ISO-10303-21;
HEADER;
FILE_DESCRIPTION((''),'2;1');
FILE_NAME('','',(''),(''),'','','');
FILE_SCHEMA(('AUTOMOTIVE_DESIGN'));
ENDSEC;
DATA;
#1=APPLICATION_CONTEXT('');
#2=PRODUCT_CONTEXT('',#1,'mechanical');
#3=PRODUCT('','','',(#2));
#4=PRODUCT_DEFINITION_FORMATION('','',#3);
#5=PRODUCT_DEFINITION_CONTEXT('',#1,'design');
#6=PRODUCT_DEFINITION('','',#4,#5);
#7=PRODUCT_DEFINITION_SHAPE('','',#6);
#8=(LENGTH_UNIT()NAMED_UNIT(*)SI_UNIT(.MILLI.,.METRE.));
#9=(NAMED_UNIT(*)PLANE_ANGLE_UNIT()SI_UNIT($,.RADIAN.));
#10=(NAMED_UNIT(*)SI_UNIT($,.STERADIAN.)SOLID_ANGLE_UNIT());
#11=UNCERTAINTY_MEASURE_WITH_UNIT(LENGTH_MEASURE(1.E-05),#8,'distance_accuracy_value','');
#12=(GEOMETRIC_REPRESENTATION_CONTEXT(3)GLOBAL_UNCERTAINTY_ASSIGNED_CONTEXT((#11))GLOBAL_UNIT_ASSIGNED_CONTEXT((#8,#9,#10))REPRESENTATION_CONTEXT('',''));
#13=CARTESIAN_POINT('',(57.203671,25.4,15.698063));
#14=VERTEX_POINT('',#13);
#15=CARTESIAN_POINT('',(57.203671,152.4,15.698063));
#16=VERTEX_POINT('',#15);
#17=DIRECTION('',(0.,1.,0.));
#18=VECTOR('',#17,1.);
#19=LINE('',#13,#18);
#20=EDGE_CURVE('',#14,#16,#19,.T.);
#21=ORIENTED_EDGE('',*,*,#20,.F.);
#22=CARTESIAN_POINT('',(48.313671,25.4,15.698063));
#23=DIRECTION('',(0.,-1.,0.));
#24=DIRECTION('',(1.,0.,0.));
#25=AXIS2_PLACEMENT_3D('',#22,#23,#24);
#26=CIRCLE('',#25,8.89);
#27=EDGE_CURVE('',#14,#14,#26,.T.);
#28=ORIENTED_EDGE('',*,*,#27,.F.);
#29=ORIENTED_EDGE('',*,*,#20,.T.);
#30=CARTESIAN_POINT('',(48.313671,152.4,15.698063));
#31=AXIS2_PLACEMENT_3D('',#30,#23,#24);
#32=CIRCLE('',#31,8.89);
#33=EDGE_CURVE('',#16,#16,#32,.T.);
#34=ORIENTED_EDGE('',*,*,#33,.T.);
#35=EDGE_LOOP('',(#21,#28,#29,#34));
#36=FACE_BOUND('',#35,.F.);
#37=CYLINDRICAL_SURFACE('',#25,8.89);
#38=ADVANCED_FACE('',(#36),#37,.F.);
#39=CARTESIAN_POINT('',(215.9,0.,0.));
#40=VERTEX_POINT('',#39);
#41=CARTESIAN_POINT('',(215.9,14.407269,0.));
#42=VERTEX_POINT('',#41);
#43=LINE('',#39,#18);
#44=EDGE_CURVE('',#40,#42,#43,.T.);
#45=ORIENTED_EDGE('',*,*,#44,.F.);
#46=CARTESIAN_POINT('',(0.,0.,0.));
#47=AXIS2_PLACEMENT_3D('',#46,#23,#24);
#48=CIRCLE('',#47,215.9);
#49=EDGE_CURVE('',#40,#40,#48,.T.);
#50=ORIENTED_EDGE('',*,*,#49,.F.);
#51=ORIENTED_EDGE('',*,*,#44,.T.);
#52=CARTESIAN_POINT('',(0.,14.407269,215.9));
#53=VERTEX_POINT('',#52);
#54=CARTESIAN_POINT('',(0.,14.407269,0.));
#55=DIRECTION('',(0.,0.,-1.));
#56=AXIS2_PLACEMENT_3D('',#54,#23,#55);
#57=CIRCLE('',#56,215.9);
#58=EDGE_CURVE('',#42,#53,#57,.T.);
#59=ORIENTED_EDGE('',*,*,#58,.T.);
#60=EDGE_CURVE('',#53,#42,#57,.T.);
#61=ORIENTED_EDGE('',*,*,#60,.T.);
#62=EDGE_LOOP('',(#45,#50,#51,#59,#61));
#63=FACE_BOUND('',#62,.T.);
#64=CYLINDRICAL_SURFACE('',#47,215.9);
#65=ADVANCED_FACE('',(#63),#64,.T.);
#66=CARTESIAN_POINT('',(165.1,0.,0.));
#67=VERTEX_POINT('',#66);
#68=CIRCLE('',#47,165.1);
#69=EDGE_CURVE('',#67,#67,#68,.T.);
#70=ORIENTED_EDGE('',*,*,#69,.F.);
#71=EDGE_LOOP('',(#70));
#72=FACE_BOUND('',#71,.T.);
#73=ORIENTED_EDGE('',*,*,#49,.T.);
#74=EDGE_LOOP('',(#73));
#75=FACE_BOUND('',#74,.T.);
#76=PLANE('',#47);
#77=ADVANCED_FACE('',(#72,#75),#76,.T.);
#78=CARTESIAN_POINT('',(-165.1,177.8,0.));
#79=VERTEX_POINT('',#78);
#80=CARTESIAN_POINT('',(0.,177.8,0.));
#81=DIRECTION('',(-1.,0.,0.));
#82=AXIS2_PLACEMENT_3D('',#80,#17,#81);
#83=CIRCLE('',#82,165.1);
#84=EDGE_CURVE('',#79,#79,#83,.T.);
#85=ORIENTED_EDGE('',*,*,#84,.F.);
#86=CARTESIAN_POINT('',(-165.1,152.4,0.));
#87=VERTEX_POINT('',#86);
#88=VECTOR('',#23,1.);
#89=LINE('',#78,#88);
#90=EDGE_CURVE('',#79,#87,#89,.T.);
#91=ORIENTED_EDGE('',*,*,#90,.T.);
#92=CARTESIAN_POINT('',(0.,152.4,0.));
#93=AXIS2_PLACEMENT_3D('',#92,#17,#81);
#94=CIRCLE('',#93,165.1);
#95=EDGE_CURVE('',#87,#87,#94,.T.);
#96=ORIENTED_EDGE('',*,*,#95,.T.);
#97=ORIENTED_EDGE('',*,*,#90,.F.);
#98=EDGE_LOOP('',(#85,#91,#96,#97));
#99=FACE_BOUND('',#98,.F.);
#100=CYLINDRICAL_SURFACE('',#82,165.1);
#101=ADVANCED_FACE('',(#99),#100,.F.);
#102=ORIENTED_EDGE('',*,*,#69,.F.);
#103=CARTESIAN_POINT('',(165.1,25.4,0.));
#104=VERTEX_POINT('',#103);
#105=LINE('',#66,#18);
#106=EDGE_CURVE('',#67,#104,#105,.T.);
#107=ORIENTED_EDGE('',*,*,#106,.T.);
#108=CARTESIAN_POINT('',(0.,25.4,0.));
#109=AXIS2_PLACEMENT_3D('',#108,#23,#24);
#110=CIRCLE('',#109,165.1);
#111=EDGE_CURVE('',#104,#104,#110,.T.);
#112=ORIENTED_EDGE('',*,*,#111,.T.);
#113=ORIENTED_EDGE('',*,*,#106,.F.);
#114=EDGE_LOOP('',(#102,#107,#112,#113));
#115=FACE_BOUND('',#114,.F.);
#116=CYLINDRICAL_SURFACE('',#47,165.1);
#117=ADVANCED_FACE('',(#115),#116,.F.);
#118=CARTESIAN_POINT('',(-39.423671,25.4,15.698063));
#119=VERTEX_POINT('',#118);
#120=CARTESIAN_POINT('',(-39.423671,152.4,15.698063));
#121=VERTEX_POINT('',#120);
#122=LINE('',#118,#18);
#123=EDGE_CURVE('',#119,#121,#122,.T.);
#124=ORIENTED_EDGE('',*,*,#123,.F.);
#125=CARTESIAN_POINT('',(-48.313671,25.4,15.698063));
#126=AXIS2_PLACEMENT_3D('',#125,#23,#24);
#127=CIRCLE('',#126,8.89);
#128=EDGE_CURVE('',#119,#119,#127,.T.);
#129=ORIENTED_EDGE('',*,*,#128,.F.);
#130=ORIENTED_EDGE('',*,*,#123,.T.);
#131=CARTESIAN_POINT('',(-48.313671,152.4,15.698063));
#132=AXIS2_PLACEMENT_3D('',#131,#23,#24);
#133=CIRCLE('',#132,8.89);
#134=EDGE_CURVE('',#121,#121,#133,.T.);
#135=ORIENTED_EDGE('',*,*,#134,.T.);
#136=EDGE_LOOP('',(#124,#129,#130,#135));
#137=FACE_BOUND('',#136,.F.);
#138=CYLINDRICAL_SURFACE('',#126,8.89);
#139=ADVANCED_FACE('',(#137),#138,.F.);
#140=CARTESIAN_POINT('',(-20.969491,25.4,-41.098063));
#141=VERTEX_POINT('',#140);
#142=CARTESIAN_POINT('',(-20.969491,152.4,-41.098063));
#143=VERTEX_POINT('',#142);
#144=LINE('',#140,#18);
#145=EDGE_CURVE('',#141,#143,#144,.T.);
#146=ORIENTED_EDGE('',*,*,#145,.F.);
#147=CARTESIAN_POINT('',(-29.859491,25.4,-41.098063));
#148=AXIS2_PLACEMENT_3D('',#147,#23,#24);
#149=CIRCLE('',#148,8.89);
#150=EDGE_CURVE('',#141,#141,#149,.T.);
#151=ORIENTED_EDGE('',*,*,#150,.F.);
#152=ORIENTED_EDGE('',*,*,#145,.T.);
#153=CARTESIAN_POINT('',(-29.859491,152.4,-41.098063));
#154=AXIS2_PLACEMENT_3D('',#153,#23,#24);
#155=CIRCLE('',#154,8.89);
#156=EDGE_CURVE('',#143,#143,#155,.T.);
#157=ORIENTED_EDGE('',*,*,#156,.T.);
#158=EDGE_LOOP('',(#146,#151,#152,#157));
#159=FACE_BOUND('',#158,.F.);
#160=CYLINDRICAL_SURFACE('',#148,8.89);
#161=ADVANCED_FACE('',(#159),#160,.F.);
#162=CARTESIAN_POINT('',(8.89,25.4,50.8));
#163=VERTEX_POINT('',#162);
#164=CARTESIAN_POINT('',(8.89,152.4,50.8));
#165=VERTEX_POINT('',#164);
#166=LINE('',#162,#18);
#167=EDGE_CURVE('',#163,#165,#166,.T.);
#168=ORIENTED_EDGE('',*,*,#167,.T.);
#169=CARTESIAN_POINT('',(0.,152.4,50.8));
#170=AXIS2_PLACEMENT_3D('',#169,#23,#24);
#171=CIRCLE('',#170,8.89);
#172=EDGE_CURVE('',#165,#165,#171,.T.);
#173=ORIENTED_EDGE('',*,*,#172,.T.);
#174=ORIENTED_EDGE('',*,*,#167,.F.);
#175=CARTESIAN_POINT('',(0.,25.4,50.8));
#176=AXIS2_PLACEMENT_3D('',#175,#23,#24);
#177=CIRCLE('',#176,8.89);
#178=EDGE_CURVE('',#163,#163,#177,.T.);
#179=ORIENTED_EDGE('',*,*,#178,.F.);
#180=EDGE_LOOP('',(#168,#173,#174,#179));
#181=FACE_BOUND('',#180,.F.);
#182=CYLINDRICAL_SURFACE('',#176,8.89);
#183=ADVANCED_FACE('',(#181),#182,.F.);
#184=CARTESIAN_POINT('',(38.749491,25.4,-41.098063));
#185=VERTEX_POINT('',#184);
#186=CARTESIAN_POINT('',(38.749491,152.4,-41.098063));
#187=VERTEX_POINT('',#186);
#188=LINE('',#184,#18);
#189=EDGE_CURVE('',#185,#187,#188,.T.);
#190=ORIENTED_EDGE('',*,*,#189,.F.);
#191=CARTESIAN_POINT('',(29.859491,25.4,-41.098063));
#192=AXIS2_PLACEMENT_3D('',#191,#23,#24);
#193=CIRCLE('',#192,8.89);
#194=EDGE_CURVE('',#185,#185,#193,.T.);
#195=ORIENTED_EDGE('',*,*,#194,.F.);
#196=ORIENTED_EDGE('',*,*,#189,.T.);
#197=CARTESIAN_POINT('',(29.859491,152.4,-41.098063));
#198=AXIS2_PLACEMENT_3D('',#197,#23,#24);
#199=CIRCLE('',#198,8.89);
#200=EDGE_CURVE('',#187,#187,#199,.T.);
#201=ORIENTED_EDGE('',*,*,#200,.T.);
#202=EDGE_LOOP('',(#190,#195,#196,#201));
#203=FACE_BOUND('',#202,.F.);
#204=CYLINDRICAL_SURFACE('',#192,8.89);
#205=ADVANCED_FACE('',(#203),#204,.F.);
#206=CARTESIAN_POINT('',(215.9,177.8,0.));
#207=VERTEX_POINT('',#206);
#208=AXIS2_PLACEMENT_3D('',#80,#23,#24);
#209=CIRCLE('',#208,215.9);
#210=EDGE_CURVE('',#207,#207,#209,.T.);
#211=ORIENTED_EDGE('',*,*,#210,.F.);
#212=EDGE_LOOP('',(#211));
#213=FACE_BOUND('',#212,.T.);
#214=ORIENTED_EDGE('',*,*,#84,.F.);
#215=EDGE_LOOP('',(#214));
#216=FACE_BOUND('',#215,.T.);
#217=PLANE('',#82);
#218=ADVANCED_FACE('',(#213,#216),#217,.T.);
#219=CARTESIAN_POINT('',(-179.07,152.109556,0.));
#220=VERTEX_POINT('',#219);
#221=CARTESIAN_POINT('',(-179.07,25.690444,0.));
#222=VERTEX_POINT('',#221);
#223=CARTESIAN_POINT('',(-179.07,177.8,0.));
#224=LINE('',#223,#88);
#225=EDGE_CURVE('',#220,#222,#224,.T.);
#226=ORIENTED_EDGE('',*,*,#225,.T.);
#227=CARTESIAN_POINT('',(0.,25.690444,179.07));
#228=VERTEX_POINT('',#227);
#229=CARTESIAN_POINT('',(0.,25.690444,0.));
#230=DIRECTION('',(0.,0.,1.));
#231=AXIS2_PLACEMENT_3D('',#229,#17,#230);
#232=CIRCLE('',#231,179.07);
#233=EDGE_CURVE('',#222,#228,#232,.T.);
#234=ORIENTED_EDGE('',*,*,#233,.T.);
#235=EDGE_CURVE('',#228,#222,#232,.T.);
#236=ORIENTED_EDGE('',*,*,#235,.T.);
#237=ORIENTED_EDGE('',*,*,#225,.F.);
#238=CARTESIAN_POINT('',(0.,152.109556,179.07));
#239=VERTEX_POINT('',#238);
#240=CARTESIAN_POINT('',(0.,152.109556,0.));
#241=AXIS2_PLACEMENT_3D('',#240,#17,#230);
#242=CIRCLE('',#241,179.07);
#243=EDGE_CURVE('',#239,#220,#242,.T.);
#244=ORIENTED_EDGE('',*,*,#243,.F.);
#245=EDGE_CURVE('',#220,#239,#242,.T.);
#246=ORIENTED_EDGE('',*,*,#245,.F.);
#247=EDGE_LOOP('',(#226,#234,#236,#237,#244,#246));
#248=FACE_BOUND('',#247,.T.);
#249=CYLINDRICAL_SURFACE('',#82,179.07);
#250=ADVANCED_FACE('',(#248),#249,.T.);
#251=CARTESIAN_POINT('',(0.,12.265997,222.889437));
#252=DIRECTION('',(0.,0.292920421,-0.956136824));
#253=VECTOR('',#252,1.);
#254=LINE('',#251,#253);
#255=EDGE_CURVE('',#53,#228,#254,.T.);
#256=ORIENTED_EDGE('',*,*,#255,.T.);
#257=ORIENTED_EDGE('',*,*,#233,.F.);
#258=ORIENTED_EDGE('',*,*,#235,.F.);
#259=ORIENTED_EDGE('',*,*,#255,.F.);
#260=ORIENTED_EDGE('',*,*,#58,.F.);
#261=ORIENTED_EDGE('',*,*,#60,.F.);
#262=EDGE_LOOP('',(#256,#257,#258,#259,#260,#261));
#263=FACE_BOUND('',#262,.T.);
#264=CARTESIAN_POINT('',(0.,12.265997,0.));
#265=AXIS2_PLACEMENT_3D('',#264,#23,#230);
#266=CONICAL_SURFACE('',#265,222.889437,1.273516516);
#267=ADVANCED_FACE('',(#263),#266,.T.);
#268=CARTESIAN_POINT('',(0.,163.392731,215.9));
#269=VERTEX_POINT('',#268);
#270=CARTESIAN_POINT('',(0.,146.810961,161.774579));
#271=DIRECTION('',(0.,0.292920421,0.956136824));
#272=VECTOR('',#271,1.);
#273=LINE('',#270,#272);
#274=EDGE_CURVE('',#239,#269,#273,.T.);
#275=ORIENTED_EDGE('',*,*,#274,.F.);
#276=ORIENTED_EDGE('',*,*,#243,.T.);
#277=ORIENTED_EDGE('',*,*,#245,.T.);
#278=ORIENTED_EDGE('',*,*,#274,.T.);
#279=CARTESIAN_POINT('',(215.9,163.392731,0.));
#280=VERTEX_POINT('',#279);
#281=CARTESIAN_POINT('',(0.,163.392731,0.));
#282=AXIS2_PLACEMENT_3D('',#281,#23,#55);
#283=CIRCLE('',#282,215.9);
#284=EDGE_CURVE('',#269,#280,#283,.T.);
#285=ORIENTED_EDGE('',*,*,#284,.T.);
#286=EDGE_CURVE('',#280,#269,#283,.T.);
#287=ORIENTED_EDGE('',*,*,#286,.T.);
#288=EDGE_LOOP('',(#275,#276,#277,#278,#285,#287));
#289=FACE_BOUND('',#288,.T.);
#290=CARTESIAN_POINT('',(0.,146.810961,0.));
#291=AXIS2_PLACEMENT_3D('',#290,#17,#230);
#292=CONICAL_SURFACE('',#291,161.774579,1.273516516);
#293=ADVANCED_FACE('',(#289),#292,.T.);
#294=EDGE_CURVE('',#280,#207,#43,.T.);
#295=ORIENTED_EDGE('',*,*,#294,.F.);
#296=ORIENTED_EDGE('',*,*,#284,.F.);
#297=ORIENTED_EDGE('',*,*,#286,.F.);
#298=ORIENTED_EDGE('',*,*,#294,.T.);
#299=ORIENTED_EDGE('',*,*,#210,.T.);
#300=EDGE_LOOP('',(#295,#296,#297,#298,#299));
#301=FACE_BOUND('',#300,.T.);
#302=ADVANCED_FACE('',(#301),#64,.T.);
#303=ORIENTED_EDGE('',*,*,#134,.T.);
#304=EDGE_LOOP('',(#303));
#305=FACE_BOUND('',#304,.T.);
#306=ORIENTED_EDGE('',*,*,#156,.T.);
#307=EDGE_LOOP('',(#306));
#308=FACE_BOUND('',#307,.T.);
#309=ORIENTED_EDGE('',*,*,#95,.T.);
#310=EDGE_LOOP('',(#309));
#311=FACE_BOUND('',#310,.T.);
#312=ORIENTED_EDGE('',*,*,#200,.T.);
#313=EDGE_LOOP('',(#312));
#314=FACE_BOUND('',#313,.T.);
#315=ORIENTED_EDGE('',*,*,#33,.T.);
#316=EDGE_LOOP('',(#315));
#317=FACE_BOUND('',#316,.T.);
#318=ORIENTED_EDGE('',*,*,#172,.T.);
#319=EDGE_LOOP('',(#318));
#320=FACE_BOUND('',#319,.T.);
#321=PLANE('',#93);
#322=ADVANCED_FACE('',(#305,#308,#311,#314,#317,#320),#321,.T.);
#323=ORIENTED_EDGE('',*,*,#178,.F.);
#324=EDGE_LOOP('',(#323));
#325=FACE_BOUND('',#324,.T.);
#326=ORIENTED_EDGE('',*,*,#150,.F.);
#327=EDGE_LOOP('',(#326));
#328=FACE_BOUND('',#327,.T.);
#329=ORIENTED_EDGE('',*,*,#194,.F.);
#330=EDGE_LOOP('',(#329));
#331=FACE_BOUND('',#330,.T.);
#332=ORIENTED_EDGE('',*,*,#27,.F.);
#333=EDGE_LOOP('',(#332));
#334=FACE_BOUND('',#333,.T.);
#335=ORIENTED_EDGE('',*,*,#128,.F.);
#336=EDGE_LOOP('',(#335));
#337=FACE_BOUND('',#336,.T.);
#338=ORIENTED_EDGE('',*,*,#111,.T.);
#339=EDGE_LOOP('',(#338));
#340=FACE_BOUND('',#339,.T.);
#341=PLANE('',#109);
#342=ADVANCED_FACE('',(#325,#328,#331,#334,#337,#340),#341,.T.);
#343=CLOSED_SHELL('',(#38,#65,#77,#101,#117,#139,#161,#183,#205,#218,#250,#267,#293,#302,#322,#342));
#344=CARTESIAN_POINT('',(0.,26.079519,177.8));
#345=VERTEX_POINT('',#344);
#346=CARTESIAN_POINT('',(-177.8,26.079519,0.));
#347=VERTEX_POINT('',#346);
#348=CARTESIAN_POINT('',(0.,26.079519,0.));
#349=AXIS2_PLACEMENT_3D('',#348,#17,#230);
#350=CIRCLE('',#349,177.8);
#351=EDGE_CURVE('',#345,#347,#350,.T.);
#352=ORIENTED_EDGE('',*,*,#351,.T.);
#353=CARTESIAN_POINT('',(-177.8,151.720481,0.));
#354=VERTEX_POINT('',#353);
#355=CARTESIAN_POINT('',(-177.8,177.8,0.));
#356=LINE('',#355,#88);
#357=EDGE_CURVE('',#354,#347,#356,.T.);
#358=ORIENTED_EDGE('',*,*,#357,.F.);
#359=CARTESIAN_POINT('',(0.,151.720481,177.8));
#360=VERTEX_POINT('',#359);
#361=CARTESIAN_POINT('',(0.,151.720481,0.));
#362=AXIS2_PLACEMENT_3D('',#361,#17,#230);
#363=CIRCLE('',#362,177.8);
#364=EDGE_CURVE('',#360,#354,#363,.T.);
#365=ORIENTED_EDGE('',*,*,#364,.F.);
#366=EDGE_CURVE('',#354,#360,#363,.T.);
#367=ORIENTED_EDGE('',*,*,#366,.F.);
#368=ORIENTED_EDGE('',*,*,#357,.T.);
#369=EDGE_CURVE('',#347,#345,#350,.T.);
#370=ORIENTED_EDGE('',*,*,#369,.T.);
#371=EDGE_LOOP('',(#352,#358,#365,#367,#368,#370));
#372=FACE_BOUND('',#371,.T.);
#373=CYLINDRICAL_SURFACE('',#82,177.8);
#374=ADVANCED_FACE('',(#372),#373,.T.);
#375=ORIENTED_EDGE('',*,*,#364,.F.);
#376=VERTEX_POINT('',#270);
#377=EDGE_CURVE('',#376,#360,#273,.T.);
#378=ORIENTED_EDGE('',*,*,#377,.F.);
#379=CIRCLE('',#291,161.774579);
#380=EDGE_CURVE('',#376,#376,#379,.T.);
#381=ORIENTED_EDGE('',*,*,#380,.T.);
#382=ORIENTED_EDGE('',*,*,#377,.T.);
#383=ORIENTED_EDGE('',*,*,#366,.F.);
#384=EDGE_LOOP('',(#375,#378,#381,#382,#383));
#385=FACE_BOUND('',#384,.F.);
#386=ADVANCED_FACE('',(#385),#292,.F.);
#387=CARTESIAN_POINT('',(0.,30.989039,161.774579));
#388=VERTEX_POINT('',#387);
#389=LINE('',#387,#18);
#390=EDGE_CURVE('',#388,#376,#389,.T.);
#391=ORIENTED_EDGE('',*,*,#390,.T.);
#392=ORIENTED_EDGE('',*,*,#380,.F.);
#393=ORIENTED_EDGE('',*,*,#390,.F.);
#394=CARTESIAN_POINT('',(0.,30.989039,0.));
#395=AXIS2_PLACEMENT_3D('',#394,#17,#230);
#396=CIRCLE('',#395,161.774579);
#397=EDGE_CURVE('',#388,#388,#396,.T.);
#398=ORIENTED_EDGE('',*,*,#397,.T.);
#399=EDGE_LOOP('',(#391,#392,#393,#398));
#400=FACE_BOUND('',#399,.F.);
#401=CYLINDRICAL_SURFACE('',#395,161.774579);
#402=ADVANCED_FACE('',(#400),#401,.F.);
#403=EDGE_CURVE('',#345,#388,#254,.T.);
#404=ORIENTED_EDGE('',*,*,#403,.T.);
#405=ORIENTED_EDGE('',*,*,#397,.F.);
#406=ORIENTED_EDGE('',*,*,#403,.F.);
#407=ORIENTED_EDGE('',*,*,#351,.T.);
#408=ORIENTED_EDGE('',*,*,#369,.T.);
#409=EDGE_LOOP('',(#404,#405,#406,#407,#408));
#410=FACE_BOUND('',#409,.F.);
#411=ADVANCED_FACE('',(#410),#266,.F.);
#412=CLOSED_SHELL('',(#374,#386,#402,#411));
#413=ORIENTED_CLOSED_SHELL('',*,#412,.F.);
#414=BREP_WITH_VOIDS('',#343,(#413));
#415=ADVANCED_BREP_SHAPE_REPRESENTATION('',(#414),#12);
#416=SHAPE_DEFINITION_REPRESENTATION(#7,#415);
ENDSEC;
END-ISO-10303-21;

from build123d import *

# Parameters (mm, degrees)
F0_R      = 215.9
F1_DEPTH  = 177.8
F5_R      = 165.1
F6_DEPTH  = 25.4
F7_R      = 165.1
F8_DEPTH  = 25.4
F9_R      = 8.89
F10_DEPTH = 152.401
F11_R     = 179.07
F11_R_2   = 177.8
F12_DEPTH = 158.75


with BuildPart() as f1:
    # F0 (on Front) → F1 (new body)
    with BuildSketch(Plane.XZ):
        Circle(F0_R)
    extrude(amount=-F1_DEPTH)

    # F2 (on Right) → F4 (revolve, cut)
    with BuildSketch(Plane.YZ):
        Polygon((165.534003, 222.889437), (88.9, 222.889437), (88.9, 161.774579), (92.761464, 161.774579), (146.810961, 161.774579), align=None)
        Polygon((88.9, 222.889437), (12.265997, 222.889437), (30.989039, 161.774579), (85.038536, 161.774579), (88.9, 161.774579), align=None)
    revolve(axis=Axis((0, 134.683609, 0), (0, 1, 0)), mode=Mode.SUBTRACT)

    # F5 (on face) → F6 (cut)
    with BuildSketch(Plane.XZ):
        Circle(F5_R)
    extrude(amount=-F6_DEPTH, mode=Mode.SUBTRACT)

    # F7 (on face) → F8 (cut)
    with BuildSketch(Plane(origin=(0, 177.8, 0), x_dir=(-1, 0, 0), z_dir=(0, 1, 0))):
        Circle(F7_R)
    extrude(amount=-F8_DEPTH, mode=Mode.SUBTRACT)

    # F9 (on face) → F10 (cut, through all)
    with BuildSketch(Plane.XZ.offset(-25.4)):
        with Locations((0, 50.8)):
            Circle(F9_R)
        with Locations((-48.313671, 15.698063)):
            Circle(F9_R)
        with Locations((-29.859491, -41.098063)):
            Circle(F9_R)
        with Locations((29.859491, -41.098063)):
            Circle(F9_R)
        with Locations((48.313671, 15.698063)):
            Circle(F9_R)
    extrude(amount=-F10_DEPTH, mode=Mode.SUBTRACT)

    # F11 (on face) → F12 (join)
    with BuildSketch(Plane(origin=(0, 177.8, 0), x_dir=(-1, 0, 0), z_dir=(0, 1, 0))):
        Circle(F11_R)
        Circle(F11_R_2, mode=Mode.SUBTRACT)
    extrude(amount=-F12_DEPTH)


solid = f1.part
